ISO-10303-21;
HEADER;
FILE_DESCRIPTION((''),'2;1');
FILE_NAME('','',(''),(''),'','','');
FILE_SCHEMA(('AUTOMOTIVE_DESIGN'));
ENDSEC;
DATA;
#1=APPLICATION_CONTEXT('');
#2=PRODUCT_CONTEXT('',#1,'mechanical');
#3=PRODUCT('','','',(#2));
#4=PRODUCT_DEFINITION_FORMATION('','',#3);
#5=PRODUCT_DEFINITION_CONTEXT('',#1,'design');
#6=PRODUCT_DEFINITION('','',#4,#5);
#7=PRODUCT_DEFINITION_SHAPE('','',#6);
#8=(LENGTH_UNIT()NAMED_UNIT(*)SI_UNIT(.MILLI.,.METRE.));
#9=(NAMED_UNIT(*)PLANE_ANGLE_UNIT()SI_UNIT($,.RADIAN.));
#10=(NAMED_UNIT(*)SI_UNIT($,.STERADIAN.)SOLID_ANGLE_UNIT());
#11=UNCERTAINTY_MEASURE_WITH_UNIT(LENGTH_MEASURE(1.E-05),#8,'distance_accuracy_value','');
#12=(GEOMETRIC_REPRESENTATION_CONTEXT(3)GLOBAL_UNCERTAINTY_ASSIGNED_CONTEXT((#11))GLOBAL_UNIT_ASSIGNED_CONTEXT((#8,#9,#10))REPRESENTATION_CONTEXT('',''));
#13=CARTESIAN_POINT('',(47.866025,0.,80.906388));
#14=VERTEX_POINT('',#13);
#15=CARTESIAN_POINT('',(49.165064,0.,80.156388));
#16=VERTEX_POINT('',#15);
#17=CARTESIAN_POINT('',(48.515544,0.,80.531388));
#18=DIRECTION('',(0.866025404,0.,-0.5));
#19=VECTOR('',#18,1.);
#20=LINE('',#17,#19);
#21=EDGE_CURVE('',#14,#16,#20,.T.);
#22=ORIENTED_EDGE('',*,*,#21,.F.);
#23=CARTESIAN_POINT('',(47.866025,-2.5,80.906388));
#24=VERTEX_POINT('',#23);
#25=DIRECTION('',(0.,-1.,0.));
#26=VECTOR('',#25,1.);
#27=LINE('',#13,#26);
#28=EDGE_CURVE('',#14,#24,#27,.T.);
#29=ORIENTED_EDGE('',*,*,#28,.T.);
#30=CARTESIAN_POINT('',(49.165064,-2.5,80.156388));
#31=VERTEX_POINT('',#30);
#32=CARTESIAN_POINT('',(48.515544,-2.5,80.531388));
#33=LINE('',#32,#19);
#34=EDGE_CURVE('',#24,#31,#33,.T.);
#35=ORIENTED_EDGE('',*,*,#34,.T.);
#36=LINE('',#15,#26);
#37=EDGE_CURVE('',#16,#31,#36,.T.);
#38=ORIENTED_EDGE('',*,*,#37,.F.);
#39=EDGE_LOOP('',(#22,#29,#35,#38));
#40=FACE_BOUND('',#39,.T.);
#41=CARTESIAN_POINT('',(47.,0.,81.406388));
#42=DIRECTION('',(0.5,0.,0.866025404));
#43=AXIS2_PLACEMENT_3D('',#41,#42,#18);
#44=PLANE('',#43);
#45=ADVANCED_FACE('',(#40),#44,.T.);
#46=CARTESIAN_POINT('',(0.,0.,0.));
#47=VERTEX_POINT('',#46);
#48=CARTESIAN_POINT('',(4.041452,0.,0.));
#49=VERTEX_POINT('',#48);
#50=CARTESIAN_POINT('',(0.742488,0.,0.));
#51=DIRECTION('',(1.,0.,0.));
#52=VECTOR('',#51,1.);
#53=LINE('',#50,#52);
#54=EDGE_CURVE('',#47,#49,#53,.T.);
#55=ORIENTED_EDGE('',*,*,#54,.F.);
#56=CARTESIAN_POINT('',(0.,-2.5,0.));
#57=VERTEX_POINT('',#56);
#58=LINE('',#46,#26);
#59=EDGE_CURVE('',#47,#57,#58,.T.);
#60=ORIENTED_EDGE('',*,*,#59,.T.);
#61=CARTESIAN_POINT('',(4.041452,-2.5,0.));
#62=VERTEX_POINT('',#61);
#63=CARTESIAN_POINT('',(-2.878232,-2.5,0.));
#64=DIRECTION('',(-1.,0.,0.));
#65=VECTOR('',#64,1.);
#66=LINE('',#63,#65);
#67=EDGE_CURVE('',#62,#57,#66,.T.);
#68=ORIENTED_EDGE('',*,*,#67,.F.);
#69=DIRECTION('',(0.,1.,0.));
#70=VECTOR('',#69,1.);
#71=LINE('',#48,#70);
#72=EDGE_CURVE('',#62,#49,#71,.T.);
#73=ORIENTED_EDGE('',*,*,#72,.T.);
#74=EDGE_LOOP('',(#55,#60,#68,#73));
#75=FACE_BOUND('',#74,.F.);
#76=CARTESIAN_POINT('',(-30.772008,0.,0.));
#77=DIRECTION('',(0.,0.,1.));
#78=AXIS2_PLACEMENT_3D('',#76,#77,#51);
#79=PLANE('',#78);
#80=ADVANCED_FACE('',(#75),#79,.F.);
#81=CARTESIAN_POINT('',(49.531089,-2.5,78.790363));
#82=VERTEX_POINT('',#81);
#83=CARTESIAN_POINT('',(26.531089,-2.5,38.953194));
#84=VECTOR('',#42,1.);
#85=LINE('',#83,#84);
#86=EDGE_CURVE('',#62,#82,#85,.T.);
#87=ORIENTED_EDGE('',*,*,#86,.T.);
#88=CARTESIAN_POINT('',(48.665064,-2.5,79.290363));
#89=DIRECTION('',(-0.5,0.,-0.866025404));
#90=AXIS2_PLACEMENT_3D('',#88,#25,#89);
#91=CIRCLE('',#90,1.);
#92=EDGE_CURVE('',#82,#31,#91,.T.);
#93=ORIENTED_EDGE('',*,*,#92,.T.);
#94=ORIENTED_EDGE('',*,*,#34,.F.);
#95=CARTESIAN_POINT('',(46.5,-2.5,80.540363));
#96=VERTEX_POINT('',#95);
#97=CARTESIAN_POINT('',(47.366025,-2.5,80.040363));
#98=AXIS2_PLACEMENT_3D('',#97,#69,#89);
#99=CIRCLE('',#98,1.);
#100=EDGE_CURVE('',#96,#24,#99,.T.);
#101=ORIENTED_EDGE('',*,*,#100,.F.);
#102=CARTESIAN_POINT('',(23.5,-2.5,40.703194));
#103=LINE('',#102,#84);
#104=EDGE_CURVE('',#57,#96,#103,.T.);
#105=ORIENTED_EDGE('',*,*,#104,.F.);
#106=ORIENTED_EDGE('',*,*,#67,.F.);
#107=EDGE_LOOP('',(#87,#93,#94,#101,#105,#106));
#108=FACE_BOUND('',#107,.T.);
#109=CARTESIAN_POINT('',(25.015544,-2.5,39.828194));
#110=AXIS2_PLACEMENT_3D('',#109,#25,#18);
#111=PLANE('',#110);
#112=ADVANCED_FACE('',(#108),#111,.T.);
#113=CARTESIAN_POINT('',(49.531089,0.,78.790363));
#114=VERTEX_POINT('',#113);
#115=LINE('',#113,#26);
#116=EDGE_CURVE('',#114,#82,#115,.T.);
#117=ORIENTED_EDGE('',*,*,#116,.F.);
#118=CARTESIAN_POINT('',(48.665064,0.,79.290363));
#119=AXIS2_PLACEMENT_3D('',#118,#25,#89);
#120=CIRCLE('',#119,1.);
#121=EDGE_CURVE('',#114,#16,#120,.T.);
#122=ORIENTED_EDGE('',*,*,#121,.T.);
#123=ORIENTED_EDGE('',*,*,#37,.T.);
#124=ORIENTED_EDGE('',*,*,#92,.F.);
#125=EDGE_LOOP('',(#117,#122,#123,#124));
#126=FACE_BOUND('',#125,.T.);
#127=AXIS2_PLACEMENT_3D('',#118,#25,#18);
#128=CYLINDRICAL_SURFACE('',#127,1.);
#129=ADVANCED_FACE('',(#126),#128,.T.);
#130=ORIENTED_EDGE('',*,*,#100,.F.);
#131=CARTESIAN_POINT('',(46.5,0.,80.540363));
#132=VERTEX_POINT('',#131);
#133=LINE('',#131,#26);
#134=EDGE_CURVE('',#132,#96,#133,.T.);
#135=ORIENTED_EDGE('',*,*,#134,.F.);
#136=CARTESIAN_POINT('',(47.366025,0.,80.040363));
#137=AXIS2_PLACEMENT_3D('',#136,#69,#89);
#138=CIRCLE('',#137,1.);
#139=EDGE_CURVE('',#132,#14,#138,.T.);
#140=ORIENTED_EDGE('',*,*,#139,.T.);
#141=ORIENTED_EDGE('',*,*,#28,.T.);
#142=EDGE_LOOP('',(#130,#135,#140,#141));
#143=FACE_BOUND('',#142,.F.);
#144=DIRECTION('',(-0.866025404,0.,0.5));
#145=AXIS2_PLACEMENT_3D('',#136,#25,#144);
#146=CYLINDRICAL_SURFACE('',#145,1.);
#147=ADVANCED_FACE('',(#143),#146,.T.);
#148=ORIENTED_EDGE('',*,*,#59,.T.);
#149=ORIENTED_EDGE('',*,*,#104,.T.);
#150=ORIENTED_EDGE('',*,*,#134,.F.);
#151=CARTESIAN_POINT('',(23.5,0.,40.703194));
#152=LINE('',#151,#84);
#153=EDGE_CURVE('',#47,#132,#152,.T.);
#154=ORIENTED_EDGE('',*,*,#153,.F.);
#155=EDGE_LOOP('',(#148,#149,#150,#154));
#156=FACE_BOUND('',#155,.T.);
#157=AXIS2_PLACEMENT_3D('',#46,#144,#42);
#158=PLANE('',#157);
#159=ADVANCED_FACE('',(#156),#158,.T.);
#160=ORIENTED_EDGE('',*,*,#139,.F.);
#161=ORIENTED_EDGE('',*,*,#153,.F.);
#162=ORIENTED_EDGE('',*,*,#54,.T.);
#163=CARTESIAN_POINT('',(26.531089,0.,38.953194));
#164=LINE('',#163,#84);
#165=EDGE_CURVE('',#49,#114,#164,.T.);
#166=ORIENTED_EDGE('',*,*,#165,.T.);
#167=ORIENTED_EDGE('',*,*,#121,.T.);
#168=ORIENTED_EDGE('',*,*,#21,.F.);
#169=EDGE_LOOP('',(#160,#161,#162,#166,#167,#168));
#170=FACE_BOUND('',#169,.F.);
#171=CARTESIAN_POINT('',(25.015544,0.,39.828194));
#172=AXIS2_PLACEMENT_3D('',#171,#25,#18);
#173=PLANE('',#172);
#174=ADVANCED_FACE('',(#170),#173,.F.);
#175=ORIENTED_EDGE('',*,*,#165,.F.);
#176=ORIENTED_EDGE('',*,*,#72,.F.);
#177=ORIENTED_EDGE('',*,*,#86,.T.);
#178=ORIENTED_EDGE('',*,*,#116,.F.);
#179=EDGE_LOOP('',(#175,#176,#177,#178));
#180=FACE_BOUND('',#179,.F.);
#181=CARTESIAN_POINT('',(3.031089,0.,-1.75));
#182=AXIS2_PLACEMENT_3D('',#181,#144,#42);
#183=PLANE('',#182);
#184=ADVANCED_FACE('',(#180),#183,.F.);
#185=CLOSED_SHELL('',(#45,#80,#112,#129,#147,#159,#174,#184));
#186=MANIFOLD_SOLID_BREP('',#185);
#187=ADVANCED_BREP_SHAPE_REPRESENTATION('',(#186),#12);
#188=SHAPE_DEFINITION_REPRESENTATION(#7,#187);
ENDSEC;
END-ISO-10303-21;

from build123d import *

# Parameters (mm, degrees)
F0_W     = 3.5
F0_H     = 94
F1_DEPTH = 2.5
F2_R     = 1
F3_ANGLE = 30
F4_W     = 63.0289912224
F4_H     = 8.7771331891
F5_DEPTH = 25


with BuildPart() as f1:
    # F0 (on Front) → F1 (new body)
    with BuildSketch(Plane.XZ):
        with Locations((1.75, 47)):
            Rectangle(F0_W, F0_H)
    extrude(amount=F1_DEPTH)

    # F2
    f2_edges = [f1.edges().sort_by_distance(p)[0] for p in [
        (0, -1.25, 94),
        (3.5, -1.25, 94),
    ]]
    fillet(f2_edges, radius=F2_R)


with BuildPart() as f1_1:
    # F3: moved
    add(f1.part.rotate(Axis((0, -1.25, 0), (0, 1, 0)), F3_ANGLE))


with BuildPart() as f5:
    # F4 (on Front) → F5 (new body)
    with BuildSketch(Plane.XZ):
        with Locations((0.7424876094, -4.3885665946)):
            Rectangle(F4_W, F4_H)
    extrude(amount=F5_DEPTH)


with BuildPart() as f1_2:
    add(f1_1.part)

    # F6: cut F5
    add(f5.part, mode=Mode.SUBTRACT)


solid = f1_2.part
